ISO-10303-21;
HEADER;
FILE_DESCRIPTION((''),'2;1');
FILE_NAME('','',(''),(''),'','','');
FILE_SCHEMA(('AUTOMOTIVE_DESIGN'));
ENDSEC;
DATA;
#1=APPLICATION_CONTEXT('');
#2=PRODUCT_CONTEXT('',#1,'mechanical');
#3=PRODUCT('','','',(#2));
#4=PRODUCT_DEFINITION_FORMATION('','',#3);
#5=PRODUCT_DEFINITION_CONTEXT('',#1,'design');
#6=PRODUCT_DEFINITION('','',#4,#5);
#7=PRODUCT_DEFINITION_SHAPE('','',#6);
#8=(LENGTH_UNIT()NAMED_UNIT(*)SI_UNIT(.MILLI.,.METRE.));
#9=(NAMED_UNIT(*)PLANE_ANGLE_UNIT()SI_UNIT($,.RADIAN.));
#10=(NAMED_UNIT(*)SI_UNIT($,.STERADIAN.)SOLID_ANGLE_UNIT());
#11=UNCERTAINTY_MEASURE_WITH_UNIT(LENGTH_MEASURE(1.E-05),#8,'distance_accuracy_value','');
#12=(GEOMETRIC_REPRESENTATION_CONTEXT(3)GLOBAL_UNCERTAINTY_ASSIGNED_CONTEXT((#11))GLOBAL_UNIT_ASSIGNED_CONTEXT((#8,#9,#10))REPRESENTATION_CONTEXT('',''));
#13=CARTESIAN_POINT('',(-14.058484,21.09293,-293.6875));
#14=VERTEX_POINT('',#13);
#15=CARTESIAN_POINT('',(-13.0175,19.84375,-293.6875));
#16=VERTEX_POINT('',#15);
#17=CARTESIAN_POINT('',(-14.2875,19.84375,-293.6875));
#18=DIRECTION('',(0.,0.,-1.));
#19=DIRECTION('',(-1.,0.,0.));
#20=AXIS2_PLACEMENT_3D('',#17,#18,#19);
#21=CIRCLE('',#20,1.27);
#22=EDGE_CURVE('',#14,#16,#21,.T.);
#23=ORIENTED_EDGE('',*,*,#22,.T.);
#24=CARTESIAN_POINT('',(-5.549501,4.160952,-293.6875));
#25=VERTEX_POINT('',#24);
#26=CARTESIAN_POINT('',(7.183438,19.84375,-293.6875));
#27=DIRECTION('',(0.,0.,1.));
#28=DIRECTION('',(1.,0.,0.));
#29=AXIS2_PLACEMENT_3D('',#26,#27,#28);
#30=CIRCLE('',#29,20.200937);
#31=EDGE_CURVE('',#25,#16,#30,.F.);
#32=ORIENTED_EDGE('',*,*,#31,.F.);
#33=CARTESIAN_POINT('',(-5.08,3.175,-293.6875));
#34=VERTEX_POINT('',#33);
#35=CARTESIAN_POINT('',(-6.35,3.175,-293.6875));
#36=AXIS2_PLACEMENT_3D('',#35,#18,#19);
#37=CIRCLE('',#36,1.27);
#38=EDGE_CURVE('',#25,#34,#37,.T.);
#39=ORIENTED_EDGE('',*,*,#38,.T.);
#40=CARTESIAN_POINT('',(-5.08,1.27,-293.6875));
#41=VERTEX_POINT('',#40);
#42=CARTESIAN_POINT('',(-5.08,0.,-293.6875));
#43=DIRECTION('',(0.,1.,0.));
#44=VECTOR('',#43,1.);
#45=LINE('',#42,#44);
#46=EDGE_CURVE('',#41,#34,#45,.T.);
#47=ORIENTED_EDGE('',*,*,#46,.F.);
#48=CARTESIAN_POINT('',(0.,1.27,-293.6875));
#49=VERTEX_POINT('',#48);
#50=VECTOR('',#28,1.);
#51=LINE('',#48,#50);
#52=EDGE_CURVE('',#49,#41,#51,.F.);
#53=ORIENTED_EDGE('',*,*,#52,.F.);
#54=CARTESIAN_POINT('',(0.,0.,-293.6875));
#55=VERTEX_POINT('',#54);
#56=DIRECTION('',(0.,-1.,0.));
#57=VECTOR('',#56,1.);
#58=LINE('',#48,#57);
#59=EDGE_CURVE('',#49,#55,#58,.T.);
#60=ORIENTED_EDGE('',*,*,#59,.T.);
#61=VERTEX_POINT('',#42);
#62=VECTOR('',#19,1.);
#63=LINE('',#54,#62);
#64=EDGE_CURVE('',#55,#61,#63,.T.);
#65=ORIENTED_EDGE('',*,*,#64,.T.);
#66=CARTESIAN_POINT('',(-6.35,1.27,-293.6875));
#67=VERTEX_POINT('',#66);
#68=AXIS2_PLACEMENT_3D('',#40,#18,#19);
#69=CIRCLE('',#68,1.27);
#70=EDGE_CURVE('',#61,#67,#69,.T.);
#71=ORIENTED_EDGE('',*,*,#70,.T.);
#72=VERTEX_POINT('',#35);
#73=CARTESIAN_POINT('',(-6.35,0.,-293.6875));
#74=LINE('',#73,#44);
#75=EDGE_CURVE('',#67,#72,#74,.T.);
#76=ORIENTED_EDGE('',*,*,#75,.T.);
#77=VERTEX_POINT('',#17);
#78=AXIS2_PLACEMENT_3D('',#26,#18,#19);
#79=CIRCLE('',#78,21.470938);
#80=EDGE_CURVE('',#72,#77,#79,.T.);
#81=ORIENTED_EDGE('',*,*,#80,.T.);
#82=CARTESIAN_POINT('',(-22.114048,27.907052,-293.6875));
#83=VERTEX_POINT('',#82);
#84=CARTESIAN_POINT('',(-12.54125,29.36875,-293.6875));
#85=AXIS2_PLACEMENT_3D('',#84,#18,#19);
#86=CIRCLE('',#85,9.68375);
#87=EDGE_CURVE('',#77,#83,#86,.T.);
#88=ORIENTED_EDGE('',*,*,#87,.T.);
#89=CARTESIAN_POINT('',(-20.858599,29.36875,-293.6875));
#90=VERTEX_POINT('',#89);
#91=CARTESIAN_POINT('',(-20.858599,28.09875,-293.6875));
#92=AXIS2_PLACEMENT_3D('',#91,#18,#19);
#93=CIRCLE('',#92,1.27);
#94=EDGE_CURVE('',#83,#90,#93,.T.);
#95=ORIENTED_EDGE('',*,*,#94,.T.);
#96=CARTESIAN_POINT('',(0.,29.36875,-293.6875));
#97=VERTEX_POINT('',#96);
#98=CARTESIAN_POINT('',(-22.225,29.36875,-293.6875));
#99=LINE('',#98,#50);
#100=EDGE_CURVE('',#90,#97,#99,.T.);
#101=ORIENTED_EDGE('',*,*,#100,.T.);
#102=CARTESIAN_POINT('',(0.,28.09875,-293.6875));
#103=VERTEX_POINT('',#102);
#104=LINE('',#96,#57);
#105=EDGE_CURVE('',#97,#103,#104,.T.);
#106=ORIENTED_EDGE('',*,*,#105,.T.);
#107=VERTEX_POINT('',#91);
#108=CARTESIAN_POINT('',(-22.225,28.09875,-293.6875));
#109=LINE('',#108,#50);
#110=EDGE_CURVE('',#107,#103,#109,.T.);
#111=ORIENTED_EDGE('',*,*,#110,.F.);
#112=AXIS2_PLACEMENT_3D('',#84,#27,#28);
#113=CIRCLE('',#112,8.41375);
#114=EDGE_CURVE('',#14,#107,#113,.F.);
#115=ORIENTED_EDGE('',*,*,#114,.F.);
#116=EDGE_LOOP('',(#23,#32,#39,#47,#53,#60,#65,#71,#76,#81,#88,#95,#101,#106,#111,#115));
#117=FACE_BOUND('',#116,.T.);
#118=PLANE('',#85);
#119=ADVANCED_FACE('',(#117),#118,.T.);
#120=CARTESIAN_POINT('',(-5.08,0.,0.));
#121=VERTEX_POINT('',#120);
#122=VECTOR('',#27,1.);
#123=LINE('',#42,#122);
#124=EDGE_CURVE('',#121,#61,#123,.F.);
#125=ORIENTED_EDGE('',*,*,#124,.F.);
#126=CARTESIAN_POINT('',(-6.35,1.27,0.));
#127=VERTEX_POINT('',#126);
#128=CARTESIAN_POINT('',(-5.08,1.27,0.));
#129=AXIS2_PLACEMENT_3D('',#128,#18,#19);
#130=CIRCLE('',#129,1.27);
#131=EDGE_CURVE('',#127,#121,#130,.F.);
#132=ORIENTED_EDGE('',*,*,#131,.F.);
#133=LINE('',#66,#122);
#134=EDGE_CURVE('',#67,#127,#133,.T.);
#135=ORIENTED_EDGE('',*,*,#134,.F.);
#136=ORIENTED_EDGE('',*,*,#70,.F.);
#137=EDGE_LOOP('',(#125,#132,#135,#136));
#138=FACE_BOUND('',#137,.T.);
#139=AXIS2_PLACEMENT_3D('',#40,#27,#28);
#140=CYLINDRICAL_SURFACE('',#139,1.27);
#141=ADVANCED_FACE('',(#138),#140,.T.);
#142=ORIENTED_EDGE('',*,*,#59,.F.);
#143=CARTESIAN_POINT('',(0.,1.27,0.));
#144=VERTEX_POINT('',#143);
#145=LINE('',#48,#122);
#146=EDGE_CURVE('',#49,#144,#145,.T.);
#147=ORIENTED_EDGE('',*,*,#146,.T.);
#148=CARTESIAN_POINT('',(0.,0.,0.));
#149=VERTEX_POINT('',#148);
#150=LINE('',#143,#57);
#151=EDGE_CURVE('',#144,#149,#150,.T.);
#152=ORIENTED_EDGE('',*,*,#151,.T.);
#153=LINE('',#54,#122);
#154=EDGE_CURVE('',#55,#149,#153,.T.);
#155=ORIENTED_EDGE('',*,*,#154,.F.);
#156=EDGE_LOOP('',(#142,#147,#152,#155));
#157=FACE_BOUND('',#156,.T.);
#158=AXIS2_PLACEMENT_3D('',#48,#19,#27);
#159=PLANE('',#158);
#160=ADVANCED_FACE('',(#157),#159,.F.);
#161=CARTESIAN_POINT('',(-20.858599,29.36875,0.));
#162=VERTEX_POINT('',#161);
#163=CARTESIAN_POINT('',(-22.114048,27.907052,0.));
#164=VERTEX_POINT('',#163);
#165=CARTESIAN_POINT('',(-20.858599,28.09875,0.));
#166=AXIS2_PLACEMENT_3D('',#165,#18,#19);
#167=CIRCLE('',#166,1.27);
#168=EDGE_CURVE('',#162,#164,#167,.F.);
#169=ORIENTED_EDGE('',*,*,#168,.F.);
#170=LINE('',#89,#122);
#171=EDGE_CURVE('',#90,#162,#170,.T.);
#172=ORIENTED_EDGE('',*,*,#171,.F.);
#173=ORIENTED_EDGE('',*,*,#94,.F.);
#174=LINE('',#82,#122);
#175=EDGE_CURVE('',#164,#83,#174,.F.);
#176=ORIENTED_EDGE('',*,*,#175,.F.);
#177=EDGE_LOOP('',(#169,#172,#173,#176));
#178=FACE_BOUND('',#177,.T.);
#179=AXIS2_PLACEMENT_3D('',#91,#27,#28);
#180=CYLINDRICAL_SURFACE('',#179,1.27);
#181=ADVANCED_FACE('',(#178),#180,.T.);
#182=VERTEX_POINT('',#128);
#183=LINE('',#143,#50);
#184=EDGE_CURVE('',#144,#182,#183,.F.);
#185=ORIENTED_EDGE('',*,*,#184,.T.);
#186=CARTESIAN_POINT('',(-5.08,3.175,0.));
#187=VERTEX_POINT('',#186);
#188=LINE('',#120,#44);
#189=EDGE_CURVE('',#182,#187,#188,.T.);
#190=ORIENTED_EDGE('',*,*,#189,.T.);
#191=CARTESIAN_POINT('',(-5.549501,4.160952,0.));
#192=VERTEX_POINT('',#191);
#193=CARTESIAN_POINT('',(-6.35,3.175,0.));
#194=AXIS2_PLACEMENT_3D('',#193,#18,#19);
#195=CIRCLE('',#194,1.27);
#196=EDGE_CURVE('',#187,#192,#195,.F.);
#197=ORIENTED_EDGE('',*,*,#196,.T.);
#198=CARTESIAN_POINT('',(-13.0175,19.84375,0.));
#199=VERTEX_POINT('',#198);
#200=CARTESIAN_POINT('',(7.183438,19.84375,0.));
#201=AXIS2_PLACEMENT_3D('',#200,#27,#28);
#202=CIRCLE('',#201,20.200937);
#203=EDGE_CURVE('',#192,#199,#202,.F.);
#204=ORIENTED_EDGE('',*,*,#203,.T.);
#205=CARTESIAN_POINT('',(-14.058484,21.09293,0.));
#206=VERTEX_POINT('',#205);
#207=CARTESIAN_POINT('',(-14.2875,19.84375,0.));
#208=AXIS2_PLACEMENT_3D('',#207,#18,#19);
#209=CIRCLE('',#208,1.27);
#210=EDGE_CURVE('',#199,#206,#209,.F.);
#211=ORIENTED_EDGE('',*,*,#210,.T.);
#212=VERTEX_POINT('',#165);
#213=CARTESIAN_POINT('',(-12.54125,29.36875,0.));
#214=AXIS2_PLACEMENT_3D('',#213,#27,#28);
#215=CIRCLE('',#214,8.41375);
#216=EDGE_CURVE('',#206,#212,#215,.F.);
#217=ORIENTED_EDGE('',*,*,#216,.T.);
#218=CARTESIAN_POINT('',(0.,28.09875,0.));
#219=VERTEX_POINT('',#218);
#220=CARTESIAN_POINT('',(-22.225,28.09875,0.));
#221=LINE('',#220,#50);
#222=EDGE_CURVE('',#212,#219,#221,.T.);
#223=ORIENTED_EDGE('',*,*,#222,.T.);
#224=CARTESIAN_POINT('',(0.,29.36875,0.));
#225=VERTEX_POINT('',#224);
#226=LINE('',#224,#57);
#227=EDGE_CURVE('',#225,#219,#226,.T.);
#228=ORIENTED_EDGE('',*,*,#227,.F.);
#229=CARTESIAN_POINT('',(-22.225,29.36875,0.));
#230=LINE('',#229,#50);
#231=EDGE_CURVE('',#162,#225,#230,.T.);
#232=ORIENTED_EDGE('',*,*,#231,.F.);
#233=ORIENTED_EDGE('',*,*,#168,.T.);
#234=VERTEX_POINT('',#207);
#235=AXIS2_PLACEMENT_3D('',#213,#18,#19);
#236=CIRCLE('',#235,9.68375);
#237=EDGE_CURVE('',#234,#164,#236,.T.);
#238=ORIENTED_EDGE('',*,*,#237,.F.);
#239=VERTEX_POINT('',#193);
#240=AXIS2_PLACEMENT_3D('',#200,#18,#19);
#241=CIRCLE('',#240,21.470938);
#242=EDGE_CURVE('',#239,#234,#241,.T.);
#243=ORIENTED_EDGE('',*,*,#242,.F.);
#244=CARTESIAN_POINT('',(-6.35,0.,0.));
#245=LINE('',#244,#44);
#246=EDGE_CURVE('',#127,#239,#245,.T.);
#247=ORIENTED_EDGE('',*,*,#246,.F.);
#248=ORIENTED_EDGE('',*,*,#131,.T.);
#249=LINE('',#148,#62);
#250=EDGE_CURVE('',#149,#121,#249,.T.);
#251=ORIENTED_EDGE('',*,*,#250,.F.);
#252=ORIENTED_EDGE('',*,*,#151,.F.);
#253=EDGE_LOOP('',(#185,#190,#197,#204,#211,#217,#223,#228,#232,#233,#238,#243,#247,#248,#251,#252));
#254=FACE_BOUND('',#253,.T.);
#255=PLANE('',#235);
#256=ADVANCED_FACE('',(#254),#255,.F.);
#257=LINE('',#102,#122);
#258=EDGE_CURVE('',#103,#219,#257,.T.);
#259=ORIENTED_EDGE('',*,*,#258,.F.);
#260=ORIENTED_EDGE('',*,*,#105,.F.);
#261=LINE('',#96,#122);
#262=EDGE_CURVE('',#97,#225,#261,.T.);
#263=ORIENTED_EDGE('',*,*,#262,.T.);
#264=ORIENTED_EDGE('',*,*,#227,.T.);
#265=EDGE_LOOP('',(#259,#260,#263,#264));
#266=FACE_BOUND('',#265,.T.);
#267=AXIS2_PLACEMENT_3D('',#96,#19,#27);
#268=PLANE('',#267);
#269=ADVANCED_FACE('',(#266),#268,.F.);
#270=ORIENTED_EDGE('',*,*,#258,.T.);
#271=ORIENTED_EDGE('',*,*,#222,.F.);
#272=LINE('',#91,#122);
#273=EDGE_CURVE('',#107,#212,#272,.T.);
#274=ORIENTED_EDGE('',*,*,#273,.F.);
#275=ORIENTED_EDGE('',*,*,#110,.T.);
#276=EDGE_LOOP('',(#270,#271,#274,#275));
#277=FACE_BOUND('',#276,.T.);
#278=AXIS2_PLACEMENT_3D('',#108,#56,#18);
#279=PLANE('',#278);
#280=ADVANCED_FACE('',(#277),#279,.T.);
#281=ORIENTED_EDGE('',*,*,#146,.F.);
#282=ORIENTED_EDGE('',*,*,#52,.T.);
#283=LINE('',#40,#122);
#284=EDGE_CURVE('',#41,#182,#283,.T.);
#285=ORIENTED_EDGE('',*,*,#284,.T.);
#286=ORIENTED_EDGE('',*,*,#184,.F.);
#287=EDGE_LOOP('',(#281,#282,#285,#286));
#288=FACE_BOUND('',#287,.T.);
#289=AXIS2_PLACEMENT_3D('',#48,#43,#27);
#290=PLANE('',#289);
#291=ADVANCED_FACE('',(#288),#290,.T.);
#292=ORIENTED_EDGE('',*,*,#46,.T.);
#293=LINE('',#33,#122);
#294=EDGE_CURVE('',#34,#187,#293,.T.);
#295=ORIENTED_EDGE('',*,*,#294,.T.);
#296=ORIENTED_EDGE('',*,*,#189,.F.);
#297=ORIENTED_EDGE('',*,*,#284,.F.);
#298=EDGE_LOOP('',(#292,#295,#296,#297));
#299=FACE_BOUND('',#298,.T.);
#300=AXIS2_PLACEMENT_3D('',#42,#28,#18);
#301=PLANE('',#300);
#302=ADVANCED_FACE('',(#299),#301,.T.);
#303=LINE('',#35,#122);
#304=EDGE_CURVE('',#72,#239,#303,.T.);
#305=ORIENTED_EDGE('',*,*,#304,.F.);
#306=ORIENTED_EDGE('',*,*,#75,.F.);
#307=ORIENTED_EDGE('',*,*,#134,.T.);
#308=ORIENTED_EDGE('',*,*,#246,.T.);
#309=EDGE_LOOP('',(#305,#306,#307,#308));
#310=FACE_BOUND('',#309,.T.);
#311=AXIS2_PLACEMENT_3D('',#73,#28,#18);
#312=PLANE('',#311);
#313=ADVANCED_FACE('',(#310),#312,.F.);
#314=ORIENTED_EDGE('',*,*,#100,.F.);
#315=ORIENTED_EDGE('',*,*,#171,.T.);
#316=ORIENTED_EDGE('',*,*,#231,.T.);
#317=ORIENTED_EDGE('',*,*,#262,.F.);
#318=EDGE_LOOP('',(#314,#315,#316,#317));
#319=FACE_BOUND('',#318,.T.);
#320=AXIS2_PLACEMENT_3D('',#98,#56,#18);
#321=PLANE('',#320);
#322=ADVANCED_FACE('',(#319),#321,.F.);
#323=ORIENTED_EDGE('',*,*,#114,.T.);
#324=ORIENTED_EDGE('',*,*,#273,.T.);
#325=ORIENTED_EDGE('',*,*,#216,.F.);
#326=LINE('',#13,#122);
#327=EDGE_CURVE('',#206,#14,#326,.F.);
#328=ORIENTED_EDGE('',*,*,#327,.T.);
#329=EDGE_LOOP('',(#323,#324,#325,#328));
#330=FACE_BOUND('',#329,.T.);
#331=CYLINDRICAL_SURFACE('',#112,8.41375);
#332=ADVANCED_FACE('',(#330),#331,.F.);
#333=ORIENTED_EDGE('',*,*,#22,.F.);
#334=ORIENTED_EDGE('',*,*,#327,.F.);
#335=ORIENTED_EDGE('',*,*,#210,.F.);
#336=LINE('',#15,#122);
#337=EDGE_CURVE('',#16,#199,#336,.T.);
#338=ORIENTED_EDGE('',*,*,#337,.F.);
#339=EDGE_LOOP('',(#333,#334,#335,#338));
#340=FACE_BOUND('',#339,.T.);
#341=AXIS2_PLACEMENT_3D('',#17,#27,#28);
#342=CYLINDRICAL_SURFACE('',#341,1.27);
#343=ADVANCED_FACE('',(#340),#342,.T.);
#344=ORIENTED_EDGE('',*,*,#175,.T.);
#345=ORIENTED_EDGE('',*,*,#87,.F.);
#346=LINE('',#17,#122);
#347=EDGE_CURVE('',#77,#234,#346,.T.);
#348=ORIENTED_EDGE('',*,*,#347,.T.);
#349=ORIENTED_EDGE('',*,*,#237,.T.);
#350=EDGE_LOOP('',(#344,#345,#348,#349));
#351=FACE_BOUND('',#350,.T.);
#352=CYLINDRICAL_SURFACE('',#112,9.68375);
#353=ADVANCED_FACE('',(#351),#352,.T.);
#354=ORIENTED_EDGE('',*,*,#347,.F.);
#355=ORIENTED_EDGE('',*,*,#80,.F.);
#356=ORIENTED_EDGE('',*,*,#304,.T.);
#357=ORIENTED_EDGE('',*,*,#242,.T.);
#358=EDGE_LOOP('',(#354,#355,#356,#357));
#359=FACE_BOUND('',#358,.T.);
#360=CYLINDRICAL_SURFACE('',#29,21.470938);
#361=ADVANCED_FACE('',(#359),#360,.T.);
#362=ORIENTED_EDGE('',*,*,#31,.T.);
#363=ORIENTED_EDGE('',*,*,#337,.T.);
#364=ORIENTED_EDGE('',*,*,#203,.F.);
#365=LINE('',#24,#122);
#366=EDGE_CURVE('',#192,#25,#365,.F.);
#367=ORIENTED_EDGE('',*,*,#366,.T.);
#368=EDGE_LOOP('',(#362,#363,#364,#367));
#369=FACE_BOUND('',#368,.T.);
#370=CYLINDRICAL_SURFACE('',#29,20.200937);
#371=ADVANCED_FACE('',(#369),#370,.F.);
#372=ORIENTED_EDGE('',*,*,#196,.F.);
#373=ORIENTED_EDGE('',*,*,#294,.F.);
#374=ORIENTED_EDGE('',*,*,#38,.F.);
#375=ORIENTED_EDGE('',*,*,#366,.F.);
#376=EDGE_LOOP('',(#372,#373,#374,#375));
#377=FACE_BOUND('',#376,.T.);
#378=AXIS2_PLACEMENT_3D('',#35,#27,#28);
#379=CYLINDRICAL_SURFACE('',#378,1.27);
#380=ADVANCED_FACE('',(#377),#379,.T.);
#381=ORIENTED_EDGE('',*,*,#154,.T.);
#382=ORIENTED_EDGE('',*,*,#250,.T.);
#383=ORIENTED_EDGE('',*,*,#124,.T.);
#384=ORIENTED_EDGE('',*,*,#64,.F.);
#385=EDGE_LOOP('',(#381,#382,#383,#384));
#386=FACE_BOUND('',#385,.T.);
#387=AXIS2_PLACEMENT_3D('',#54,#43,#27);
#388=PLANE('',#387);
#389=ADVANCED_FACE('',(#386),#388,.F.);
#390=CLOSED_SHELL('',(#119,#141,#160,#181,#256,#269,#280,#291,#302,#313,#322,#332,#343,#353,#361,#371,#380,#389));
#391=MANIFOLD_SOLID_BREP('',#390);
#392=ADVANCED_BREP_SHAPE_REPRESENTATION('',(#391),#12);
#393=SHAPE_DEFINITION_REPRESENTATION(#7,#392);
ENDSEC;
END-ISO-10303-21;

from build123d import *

# Parameters (mm, degrees)
EXTRUDE_THIN1_DEPTH = 293.6875
FILLET1_R           = 1.27


with BuildPart() as part:
    # Sketch1 → Extrude-Thin1 (new body)
    with BuildSketch(Plane.XY):
        with BuildLine():
            Line((0, 0), (-6.35, 0))
            Line((-6.35, 0), (-6.35, 3.175))
            ThreePointArc((-6.35, 3.175), (-12.201824271, 10.612672966), (-14.2875, 19.84375))
            ThreePointArc((-14.2875, 19.84375), (-19.980512816, 23.16936432), (-22.225, 29.36875))
            Line((-22.225, 29.36875), (0, 29.36875))
            Line((0, 29.36875), (0, 28.09875))
            Line((0, 28.09875), (-20.85859868, 28.09875))
            ThreePointArc((-20.85859868, 28.09875), (-18.190231509, 23.133351298), (-12.986259744, 20.966776697))
            ThreePointArc((-12.986259744, 20.966776697), (-11.166701411, 11.396840635), (-5.08, 3.791149695))
            Line((-5.08, 3.791149695), (-5.08, 1.27))
            Line((-5.08, 1.27), (0, 1.27))
            Line((0, 1.27), (0, 0))
        make_face()
    extrude(amount=-EXTRUDE_THIN1_DEPTH)

    # Fillet1
    fillet1_edges = [part.edges().sort_by_distance(p)[0] for p in [
        (-12.986259744, 20.966776697, -146.84375),
        (-5.08, 3.791149695, -146.84375),
        (-6.35, 0, -146.84375),
        (-22.225, 29.36875, -146.84375),
    ]]
    fillet(fillet1_edges, radius=FILLET1_R)


solid = part.part
